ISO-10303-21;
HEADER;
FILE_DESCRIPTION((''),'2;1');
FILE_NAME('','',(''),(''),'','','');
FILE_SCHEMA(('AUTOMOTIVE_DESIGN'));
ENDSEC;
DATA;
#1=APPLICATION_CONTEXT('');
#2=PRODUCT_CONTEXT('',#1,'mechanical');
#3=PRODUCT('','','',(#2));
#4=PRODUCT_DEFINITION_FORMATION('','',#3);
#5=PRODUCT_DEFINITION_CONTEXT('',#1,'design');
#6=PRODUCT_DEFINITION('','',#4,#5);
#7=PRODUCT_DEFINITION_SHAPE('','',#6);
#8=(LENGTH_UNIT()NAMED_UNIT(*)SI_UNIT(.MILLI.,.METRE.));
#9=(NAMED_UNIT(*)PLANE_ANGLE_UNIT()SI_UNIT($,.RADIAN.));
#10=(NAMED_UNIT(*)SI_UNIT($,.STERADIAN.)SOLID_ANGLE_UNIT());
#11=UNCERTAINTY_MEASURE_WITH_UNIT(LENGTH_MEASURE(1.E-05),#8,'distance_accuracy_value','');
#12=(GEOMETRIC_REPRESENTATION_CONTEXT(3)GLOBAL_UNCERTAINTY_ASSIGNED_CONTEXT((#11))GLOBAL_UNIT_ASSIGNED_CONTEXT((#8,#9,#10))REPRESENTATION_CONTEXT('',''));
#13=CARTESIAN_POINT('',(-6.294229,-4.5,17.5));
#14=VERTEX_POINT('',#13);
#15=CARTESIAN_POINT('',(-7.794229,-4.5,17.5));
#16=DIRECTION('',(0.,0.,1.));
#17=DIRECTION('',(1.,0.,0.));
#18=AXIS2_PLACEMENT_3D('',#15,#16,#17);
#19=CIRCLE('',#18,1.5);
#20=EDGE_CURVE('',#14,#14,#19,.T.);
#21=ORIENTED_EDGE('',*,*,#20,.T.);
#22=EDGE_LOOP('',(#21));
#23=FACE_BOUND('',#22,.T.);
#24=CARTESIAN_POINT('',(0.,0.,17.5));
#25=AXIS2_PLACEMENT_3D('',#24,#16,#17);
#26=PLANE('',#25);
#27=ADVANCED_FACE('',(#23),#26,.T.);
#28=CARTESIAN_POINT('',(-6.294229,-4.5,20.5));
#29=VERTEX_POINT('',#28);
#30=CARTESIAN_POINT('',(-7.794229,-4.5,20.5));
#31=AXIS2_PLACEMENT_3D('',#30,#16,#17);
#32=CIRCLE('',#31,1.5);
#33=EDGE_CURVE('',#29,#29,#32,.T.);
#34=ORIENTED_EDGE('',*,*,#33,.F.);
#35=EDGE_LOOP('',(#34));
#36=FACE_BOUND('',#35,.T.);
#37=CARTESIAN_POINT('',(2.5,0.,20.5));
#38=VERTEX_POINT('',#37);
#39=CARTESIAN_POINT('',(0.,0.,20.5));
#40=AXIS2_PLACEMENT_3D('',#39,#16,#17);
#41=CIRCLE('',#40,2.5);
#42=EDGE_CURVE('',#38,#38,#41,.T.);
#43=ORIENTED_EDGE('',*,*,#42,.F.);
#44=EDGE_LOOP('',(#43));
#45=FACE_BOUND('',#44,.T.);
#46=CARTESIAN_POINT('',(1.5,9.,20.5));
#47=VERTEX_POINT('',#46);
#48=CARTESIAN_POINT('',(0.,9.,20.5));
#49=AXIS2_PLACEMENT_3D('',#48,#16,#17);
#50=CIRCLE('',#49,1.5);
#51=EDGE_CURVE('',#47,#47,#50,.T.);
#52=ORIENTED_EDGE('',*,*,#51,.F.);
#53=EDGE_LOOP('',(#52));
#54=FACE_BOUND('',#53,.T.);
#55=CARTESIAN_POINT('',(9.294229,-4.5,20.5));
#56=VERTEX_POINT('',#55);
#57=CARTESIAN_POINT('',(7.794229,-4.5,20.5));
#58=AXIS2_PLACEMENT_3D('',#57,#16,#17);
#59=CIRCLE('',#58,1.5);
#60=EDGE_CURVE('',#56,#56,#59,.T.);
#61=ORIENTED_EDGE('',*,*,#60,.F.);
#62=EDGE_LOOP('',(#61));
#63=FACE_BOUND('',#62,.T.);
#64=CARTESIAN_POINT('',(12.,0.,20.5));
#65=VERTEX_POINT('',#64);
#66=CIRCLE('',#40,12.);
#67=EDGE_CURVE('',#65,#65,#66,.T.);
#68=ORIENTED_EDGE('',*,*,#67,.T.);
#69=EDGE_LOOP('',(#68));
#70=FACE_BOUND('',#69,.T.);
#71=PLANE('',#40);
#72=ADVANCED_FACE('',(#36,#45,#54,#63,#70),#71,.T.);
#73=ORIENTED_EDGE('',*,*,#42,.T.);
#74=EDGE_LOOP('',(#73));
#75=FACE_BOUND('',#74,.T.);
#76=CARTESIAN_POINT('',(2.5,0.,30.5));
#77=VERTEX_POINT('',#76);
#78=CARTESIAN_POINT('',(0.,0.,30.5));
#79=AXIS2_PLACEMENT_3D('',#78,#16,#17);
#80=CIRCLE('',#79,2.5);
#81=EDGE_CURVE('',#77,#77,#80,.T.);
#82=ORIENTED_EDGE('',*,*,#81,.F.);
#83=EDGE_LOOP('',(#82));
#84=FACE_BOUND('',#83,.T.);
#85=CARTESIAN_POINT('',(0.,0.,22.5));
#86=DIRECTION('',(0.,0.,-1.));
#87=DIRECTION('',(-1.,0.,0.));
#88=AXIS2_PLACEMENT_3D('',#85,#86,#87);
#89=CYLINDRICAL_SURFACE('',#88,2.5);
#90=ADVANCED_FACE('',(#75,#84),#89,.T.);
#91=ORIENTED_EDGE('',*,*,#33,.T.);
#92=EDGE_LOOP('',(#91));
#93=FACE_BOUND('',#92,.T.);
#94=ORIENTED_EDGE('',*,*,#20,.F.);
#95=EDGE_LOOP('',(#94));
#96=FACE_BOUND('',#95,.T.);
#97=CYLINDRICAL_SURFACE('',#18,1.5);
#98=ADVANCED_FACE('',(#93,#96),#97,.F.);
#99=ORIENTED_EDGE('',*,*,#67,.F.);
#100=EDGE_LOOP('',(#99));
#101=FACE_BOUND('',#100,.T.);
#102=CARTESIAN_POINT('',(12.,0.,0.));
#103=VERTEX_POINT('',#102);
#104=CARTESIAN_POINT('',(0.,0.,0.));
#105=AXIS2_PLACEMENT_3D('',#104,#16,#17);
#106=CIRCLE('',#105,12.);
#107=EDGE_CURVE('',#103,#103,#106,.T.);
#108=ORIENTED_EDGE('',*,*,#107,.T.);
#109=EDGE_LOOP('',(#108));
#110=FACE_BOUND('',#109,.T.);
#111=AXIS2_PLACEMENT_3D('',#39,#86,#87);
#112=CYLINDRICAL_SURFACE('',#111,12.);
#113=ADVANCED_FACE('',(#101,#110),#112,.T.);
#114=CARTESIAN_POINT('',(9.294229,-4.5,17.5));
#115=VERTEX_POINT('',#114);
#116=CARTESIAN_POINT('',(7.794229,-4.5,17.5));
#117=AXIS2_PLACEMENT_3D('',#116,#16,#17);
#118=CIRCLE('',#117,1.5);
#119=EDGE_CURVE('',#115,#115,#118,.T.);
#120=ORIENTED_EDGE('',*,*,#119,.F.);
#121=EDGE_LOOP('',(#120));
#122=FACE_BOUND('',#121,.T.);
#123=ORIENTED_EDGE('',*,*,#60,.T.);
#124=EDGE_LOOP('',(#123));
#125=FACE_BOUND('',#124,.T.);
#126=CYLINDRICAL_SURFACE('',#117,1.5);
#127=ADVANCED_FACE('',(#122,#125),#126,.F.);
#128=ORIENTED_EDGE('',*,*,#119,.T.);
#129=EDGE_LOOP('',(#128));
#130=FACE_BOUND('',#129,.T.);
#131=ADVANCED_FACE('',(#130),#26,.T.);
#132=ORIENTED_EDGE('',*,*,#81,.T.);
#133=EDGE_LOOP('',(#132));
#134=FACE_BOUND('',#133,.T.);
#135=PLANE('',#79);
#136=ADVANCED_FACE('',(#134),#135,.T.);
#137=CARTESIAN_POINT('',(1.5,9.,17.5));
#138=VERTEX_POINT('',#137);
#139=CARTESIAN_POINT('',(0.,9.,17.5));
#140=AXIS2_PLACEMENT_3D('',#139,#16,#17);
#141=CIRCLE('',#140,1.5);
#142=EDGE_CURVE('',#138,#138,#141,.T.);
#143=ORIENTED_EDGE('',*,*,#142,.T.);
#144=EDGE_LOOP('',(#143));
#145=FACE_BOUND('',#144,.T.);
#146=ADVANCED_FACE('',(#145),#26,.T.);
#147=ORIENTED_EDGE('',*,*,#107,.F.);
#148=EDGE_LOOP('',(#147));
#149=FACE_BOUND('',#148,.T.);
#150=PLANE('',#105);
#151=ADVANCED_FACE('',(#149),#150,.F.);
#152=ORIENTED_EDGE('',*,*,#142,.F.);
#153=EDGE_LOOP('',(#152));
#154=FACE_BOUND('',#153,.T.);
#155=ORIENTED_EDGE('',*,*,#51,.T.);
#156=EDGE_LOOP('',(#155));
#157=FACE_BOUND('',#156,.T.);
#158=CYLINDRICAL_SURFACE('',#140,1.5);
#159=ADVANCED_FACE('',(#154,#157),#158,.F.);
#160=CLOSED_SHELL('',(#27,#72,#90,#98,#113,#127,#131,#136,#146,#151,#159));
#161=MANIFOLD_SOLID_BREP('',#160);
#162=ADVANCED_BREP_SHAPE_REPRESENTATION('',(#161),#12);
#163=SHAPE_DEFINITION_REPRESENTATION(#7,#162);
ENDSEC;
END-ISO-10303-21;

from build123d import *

# Parameters (mm, degrees)
ESQUISSE1_R             = 12
BOSS_EXTRU_1_DEPTH      = 20.5
ESQUISSE2_R             = 2.5
BOSS_EXTRU_2_DEPTH      = 2
ESQUISSE3_R             = 1.5
ENL_V_MAT_EXTRU_1_DEPTH = 3
ESQUISSE4_R             = 2.5
BOSS_EXTRU_3_DEPTH      = 8


with BuildPart() as part:
    # Esquisse1 → Boss.-Extru.1 (new body)
    with BuildSketch(Plane.XY):
        Circle(ESQUISSE1_R)
    extrude(amount=BOSS_EXTRU_1_DEPTH)

    # Esquisse2 → Boss.-Extru.2 (add)
    with BuildSketch(Plane.XY.offset(20.5)):
        Circle(ESQUISSE2_R)
    extrude(amount=BOSS_EXTRU_2_DEPTH)

    # Esquisse3 → Enlèv. mat.-Extru.1 (cut)
    with BuildSketch(Plane.XY.offset(20.5)):
        with Locations((0, 9)):
            Circle(ESQUISSE3_R)
        with Locations((-7.794228634, -4.5)):
            Circle(ESQUISSE3_R)
        with Locations((7.794228634, -4.5)):
            Circle(ESQUISSE3_R)
    extrude(amount=-ENL_V_MAT_EXTRU_1_DEPTH, mode=Mode.SUBTRACT)

    # Esquisse4 → Boss.-Extru.3 (add)
    with BuildSketch(Plane.XY.offset(22.5)):
        Circle(ESQUISSE4_R)
    extrude(amount=BOSS_EXTRU_3_DEPTH)


solid = part.part
